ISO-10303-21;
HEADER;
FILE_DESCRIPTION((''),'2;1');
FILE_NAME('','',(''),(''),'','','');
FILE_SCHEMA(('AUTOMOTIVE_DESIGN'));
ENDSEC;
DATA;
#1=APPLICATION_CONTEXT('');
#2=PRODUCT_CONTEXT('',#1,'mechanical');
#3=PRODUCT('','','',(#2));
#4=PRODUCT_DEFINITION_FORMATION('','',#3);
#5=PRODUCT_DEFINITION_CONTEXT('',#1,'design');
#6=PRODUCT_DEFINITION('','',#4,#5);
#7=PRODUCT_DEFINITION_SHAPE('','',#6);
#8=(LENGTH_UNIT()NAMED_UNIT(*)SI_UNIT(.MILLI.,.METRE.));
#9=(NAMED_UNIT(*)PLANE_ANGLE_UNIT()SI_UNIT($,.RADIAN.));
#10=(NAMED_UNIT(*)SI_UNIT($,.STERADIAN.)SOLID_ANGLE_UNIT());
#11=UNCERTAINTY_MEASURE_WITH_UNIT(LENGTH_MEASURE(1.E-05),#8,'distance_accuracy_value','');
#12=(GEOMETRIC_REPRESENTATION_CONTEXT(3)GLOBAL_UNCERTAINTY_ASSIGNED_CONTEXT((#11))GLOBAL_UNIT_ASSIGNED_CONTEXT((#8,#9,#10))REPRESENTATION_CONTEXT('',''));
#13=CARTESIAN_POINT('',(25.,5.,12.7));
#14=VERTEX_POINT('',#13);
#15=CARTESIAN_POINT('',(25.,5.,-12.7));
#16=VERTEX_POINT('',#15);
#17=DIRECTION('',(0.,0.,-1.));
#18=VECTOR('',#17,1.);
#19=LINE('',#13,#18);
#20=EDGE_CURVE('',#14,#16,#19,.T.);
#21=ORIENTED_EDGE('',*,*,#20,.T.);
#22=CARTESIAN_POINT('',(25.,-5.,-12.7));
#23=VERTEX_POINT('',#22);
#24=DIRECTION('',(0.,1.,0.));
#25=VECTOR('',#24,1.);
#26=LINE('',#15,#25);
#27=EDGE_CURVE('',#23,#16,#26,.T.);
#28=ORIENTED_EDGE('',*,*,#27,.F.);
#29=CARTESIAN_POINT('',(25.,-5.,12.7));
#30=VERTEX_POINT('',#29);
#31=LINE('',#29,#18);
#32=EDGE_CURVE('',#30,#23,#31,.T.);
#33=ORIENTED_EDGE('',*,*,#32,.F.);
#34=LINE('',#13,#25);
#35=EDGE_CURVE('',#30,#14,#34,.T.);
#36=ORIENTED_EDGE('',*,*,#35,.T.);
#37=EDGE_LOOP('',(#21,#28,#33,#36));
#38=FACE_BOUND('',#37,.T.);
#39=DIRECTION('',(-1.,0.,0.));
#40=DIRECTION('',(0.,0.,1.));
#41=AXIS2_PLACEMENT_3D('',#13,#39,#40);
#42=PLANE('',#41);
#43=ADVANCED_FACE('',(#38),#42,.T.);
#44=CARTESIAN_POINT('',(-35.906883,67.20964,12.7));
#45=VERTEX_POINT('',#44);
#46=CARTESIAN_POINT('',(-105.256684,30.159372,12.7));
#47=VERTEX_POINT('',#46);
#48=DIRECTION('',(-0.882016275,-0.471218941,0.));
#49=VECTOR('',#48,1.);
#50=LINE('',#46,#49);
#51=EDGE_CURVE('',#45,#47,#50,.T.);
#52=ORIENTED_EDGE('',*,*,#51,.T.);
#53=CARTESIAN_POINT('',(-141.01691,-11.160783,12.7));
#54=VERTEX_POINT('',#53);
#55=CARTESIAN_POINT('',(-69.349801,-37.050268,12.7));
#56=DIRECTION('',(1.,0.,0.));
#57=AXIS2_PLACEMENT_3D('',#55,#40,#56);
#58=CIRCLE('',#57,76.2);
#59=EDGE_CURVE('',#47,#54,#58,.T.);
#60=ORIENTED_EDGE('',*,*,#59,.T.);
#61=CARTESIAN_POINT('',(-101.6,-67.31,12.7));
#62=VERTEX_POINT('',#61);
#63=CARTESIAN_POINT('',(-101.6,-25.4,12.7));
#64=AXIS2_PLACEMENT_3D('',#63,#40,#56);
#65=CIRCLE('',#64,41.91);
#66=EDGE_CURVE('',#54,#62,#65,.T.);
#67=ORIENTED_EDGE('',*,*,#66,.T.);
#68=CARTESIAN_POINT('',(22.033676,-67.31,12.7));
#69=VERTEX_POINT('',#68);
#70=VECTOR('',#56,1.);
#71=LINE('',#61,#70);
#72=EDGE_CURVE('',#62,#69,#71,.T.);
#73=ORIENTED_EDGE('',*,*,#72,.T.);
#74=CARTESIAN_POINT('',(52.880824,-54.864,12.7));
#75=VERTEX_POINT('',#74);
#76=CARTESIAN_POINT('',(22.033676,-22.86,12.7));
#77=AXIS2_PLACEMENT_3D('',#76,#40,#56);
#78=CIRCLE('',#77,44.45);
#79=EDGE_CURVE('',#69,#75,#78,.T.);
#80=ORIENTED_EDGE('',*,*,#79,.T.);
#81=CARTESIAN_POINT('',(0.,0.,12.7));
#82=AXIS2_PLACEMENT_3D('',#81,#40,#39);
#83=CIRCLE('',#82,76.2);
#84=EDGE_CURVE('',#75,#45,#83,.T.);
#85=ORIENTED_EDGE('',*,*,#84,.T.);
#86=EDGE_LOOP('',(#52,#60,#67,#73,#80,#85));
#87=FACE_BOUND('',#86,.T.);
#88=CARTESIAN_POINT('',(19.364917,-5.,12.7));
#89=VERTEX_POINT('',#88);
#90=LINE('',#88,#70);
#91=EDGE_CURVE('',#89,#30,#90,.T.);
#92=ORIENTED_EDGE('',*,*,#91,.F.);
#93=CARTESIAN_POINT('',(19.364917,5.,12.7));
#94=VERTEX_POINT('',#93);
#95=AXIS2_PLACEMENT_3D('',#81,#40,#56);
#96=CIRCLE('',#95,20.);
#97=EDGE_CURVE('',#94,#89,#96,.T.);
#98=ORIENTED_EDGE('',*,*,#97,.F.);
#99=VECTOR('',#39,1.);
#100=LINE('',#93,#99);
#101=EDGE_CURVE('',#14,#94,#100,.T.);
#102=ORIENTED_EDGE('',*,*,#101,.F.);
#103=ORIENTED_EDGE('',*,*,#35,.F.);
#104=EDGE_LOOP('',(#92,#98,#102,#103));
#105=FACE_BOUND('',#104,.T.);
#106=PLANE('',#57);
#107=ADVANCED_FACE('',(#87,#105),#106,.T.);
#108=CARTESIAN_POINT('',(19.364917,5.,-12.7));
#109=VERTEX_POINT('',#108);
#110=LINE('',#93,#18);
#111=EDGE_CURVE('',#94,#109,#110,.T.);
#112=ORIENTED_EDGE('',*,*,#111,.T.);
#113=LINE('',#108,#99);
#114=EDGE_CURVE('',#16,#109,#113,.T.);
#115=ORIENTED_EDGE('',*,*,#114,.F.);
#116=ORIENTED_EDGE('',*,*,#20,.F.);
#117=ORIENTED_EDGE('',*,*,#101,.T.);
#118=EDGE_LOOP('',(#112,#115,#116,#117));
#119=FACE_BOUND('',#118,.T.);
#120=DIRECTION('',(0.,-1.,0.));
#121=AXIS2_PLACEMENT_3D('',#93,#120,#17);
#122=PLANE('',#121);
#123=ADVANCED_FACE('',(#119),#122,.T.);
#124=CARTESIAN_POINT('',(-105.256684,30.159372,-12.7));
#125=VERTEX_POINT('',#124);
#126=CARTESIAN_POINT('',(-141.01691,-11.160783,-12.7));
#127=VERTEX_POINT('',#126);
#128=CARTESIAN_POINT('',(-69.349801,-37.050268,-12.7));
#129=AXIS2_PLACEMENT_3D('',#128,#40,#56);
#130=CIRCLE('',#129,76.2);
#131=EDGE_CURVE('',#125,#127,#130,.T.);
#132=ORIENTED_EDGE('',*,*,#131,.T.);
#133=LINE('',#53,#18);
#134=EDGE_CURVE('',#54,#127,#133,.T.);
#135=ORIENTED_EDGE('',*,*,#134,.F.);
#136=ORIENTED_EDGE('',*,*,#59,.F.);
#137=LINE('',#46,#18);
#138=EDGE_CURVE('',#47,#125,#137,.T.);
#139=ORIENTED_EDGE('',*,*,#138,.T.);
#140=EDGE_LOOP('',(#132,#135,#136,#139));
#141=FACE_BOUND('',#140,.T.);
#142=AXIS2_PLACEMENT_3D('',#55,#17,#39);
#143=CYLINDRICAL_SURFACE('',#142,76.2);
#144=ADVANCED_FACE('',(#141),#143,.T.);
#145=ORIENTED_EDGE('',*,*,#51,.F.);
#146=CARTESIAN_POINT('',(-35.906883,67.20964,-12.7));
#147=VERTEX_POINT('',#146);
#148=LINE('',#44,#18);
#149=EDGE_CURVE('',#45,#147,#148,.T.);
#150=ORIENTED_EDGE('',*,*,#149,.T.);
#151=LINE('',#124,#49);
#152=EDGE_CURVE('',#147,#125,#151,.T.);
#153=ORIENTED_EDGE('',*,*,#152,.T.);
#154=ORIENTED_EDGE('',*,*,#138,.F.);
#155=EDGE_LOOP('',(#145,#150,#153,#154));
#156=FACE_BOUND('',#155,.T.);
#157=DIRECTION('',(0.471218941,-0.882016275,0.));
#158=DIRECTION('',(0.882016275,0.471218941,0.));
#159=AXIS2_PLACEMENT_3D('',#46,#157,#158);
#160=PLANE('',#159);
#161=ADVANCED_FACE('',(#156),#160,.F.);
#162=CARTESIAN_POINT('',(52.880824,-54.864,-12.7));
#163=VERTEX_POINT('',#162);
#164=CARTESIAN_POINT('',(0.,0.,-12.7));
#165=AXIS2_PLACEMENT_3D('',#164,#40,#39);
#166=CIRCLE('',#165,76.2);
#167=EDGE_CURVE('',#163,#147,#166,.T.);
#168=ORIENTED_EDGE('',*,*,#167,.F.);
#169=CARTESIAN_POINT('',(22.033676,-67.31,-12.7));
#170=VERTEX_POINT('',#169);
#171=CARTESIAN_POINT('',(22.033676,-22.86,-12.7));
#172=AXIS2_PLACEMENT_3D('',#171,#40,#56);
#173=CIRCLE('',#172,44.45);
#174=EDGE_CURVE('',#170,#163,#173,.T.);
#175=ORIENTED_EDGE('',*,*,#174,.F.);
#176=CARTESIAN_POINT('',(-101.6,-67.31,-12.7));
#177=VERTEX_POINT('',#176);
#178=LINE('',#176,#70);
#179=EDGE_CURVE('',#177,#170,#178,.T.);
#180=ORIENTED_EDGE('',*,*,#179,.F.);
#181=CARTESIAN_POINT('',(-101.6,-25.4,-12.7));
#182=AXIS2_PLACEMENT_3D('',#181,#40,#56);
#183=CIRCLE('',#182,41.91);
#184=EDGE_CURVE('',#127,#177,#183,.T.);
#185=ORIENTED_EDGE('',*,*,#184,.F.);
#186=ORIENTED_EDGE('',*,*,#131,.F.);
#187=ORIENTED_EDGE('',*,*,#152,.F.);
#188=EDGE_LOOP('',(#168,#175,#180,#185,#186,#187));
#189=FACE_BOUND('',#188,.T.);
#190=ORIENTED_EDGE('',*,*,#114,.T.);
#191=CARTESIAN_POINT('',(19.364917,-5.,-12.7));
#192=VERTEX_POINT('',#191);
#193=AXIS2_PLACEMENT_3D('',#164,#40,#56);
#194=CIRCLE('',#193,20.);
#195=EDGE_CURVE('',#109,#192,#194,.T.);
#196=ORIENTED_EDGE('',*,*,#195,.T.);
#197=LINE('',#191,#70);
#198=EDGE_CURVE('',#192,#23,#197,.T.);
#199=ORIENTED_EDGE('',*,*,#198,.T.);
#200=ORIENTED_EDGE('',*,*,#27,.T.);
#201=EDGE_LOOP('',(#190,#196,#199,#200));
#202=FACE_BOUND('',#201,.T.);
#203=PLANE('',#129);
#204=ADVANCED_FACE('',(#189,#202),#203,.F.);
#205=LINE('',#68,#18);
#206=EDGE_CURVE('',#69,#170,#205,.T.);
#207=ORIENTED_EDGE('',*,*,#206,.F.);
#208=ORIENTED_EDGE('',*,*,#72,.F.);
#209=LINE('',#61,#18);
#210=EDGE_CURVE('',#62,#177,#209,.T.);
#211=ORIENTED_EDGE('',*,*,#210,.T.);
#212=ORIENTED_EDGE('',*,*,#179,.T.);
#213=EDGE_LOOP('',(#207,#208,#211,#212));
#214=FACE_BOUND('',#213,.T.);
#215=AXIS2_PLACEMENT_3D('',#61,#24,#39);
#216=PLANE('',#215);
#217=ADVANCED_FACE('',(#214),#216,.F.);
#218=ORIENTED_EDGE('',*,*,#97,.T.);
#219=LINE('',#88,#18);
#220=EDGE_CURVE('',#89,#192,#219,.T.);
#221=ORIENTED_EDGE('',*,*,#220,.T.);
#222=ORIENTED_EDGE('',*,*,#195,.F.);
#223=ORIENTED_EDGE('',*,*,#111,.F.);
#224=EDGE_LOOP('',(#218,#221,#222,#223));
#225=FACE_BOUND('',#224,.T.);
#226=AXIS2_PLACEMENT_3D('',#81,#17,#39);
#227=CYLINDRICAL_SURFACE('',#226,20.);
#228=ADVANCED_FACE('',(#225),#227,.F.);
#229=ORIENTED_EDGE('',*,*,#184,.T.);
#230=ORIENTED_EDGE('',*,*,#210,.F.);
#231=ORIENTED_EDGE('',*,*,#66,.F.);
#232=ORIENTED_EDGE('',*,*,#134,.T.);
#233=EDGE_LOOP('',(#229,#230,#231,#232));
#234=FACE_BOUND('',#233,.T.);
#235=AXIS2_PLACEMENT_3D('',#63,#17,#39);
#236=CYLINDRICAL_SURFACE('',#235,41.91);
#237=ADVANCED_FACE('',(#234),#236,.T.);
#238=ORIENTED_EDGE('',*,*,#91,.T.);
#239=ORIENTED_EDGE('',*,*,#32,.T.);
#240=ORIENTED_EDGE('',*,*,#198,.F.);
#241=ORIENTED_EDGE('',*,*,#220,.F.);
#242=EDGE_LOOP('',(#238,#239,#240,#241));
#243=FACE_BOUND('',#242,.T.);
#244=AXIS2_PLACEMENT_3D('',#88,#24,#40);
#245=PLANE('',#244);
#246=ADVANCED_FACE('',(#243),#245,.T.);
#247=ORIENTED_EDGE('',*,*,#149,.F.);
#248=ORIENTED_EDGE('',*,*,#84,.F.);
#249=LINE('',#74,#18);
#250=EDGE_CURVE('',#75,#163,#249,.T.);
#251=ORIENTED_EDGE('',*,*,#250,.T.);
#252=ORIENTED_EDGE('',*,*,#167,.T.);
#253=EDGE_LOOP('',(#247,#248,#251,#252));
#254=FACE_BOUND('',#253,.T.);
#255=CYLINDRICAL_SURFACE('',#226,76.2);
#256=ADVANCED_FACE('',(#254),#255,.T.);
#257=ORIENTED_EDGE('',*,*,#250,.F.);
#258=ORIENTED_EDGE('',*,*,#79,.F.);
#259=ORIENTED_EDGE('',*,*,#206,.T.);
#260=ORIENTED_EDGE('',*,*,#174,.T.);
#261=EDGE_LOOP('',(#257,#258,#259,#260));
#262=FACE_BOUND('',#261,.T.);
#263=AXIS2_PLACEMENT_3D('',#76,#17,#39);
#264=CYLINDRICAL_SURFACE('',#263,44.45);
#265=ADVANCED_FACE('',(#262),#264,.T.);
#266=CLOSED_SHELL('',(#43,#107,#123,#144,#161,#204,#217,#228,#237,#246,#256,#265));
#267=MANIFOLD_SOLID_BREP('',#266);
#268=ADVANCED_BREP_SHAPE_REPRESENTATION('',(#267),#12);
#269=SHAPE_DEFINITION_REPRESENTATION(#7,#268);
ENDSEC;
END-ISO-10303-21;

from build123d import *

# Parameters (mm, degrees)
EXTRUDE1_DEPTH = 12.7


with BuildPart() as part:
    # Sketch1 → Extrude1 (new, symmetric)
    with BuildSketch(Plane.XY):
        with BuildLine():
            Line((-105.256684146, 30.159371772), (-35.906883315, 67.209640161))
            ThreePointArc((-35.906883315, 67.209640161), (-31.500545183, 69.384116721), (-26.963222432, 71.270082335))
            ThreePointArc((-26.963222432, 71.270082335), (64.384642533, 40.75607692), (52.880823594, -54.864))
            ThreePointArc((52.880823594, -54.864), (38.665343582, -64.081234212), (22.033676498, -67.31))
            Line((22.033676498, -67.31), (-101.6, -67.31))
            ThreePointArc((-101.6, -67.31), (-135.901703173, -49.47989326), (-141.016910096, -11.160783079))
            ThreePointArc((-141.016910096, -11.160783079), (-126.968198666, 12.815152805), (-105.256684146, 30.159371772))
        make_face()
        with BuildLine():
            Line((19.364916731, 5), (25, 5))
            Line((25, 5), (25, -5))
            Line((25, -5), (19.364916731, -5))
            ThreePointArc((19.364916731, -5), (-20, 0), (19.364916731, 5))
        make_face(mode=Mode.SUBTRACT)
    extrude(amount=EXTRUDE1_DEPTH, both=True)


solid = part.part
